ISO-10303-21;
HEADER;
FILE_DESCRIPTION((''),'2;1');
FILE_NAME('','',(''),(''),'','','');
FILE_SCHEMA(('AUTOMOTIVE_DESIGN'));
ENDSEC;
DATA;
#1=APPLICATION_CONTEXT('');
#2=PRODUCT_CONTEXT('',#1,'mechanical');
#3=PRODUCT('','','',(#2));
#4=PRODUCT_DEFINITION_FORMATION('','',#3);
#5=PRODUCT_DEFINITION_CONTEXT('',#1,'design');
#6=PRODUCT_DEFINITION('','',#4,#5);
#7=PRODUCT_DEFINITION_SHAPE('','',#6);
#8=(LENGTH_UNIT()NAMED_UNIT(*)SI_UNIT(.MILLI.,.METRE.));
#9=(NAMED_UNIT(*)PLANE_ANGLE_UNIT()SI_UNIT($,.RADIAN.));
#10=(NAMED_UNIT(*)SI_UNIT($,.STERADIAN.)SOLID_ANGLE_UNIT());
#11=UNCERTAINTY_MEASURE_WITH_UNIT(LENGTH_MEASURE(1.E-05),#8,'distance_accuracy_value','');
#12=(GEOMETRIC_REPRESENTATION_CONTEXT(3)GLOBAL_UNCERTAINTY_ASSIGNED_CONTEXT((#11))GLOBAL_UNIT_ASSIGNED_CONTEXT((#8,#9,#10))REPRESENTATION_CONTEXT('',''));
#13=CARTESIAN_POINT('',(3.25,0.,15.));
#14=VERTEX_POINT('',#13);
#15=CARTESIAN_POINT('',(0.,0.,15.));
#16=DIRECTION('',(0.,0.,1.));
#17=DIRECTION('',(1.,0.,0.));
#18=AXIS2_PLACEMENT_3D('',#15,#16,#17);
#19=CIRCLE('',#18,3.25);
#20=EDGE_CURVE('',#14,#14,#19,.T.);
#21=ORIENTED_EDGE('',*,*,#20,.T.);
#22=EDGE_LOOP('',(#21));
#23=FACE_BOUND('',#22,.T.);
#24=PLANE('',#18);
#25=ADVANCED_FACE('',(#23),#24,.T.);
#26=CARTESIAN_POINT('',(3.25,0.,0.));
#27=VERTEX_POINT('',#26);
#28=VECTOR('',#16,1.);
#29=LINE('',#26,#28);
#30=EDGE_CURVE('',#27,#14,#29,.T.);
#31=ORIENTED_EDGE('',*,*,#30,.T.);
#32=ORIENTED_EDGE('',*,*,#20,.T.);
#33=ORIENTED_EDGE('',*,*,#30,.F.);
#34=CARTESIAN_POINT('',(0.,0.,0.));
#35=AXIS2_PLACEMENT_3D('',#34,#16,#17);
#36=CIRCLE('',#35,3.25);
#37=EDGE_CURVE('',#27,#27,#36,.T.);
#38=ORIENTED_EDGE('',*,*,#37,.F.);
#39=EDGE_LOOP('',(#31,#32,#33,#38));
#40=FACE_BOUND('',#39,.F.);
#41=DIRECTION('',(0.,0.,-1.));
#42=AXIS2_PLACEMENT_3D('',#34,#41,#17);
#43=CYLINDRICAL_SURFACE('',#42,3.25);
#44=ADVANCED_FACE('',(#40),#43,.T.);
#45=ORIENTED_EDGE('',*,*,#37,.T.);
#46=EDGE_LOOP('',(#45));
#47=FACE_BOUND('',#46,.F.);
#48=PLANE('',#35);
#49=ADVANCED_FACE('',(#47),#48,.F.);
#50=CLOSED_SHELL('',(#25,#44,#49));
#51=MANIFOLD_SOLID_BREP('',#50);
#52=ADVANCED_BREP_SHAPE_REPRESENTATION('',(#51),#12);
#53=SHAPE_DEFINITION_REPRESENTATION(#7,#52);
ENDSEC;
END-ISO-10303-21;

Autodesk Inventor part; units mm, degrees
ref_plane "YZ Plane" through (0, 0, 0) normal (1, 0, 0) x (0, 1, 0)
ref_plane "XZ Plane" through (0, 0, 0) normal (0, 1, 0) x (-1, 0, 0)
ref_plane "XY Plane" through (0, 0, 0) normal (0, 0, 1) x (1, 0, 0)
sketch "Sketch2" plane through (0, 0, 0) normal (0, 0, 1) x (1, 0, 0)
  circle A0 centre (0, 0) radius 3.25
  dimension "d0" = 6.5
extrude "Extrusion1" add sketch "Sketch2" along normal blind 15
equation "\"d0\" = R"
equation "\"d1\" = 3 * thickness"
equation "\"R\" = 6.5"
equation "\"thickness\" = 5"
equation "\"width\" = 6.5"
equation "\"R1\" = 9"
